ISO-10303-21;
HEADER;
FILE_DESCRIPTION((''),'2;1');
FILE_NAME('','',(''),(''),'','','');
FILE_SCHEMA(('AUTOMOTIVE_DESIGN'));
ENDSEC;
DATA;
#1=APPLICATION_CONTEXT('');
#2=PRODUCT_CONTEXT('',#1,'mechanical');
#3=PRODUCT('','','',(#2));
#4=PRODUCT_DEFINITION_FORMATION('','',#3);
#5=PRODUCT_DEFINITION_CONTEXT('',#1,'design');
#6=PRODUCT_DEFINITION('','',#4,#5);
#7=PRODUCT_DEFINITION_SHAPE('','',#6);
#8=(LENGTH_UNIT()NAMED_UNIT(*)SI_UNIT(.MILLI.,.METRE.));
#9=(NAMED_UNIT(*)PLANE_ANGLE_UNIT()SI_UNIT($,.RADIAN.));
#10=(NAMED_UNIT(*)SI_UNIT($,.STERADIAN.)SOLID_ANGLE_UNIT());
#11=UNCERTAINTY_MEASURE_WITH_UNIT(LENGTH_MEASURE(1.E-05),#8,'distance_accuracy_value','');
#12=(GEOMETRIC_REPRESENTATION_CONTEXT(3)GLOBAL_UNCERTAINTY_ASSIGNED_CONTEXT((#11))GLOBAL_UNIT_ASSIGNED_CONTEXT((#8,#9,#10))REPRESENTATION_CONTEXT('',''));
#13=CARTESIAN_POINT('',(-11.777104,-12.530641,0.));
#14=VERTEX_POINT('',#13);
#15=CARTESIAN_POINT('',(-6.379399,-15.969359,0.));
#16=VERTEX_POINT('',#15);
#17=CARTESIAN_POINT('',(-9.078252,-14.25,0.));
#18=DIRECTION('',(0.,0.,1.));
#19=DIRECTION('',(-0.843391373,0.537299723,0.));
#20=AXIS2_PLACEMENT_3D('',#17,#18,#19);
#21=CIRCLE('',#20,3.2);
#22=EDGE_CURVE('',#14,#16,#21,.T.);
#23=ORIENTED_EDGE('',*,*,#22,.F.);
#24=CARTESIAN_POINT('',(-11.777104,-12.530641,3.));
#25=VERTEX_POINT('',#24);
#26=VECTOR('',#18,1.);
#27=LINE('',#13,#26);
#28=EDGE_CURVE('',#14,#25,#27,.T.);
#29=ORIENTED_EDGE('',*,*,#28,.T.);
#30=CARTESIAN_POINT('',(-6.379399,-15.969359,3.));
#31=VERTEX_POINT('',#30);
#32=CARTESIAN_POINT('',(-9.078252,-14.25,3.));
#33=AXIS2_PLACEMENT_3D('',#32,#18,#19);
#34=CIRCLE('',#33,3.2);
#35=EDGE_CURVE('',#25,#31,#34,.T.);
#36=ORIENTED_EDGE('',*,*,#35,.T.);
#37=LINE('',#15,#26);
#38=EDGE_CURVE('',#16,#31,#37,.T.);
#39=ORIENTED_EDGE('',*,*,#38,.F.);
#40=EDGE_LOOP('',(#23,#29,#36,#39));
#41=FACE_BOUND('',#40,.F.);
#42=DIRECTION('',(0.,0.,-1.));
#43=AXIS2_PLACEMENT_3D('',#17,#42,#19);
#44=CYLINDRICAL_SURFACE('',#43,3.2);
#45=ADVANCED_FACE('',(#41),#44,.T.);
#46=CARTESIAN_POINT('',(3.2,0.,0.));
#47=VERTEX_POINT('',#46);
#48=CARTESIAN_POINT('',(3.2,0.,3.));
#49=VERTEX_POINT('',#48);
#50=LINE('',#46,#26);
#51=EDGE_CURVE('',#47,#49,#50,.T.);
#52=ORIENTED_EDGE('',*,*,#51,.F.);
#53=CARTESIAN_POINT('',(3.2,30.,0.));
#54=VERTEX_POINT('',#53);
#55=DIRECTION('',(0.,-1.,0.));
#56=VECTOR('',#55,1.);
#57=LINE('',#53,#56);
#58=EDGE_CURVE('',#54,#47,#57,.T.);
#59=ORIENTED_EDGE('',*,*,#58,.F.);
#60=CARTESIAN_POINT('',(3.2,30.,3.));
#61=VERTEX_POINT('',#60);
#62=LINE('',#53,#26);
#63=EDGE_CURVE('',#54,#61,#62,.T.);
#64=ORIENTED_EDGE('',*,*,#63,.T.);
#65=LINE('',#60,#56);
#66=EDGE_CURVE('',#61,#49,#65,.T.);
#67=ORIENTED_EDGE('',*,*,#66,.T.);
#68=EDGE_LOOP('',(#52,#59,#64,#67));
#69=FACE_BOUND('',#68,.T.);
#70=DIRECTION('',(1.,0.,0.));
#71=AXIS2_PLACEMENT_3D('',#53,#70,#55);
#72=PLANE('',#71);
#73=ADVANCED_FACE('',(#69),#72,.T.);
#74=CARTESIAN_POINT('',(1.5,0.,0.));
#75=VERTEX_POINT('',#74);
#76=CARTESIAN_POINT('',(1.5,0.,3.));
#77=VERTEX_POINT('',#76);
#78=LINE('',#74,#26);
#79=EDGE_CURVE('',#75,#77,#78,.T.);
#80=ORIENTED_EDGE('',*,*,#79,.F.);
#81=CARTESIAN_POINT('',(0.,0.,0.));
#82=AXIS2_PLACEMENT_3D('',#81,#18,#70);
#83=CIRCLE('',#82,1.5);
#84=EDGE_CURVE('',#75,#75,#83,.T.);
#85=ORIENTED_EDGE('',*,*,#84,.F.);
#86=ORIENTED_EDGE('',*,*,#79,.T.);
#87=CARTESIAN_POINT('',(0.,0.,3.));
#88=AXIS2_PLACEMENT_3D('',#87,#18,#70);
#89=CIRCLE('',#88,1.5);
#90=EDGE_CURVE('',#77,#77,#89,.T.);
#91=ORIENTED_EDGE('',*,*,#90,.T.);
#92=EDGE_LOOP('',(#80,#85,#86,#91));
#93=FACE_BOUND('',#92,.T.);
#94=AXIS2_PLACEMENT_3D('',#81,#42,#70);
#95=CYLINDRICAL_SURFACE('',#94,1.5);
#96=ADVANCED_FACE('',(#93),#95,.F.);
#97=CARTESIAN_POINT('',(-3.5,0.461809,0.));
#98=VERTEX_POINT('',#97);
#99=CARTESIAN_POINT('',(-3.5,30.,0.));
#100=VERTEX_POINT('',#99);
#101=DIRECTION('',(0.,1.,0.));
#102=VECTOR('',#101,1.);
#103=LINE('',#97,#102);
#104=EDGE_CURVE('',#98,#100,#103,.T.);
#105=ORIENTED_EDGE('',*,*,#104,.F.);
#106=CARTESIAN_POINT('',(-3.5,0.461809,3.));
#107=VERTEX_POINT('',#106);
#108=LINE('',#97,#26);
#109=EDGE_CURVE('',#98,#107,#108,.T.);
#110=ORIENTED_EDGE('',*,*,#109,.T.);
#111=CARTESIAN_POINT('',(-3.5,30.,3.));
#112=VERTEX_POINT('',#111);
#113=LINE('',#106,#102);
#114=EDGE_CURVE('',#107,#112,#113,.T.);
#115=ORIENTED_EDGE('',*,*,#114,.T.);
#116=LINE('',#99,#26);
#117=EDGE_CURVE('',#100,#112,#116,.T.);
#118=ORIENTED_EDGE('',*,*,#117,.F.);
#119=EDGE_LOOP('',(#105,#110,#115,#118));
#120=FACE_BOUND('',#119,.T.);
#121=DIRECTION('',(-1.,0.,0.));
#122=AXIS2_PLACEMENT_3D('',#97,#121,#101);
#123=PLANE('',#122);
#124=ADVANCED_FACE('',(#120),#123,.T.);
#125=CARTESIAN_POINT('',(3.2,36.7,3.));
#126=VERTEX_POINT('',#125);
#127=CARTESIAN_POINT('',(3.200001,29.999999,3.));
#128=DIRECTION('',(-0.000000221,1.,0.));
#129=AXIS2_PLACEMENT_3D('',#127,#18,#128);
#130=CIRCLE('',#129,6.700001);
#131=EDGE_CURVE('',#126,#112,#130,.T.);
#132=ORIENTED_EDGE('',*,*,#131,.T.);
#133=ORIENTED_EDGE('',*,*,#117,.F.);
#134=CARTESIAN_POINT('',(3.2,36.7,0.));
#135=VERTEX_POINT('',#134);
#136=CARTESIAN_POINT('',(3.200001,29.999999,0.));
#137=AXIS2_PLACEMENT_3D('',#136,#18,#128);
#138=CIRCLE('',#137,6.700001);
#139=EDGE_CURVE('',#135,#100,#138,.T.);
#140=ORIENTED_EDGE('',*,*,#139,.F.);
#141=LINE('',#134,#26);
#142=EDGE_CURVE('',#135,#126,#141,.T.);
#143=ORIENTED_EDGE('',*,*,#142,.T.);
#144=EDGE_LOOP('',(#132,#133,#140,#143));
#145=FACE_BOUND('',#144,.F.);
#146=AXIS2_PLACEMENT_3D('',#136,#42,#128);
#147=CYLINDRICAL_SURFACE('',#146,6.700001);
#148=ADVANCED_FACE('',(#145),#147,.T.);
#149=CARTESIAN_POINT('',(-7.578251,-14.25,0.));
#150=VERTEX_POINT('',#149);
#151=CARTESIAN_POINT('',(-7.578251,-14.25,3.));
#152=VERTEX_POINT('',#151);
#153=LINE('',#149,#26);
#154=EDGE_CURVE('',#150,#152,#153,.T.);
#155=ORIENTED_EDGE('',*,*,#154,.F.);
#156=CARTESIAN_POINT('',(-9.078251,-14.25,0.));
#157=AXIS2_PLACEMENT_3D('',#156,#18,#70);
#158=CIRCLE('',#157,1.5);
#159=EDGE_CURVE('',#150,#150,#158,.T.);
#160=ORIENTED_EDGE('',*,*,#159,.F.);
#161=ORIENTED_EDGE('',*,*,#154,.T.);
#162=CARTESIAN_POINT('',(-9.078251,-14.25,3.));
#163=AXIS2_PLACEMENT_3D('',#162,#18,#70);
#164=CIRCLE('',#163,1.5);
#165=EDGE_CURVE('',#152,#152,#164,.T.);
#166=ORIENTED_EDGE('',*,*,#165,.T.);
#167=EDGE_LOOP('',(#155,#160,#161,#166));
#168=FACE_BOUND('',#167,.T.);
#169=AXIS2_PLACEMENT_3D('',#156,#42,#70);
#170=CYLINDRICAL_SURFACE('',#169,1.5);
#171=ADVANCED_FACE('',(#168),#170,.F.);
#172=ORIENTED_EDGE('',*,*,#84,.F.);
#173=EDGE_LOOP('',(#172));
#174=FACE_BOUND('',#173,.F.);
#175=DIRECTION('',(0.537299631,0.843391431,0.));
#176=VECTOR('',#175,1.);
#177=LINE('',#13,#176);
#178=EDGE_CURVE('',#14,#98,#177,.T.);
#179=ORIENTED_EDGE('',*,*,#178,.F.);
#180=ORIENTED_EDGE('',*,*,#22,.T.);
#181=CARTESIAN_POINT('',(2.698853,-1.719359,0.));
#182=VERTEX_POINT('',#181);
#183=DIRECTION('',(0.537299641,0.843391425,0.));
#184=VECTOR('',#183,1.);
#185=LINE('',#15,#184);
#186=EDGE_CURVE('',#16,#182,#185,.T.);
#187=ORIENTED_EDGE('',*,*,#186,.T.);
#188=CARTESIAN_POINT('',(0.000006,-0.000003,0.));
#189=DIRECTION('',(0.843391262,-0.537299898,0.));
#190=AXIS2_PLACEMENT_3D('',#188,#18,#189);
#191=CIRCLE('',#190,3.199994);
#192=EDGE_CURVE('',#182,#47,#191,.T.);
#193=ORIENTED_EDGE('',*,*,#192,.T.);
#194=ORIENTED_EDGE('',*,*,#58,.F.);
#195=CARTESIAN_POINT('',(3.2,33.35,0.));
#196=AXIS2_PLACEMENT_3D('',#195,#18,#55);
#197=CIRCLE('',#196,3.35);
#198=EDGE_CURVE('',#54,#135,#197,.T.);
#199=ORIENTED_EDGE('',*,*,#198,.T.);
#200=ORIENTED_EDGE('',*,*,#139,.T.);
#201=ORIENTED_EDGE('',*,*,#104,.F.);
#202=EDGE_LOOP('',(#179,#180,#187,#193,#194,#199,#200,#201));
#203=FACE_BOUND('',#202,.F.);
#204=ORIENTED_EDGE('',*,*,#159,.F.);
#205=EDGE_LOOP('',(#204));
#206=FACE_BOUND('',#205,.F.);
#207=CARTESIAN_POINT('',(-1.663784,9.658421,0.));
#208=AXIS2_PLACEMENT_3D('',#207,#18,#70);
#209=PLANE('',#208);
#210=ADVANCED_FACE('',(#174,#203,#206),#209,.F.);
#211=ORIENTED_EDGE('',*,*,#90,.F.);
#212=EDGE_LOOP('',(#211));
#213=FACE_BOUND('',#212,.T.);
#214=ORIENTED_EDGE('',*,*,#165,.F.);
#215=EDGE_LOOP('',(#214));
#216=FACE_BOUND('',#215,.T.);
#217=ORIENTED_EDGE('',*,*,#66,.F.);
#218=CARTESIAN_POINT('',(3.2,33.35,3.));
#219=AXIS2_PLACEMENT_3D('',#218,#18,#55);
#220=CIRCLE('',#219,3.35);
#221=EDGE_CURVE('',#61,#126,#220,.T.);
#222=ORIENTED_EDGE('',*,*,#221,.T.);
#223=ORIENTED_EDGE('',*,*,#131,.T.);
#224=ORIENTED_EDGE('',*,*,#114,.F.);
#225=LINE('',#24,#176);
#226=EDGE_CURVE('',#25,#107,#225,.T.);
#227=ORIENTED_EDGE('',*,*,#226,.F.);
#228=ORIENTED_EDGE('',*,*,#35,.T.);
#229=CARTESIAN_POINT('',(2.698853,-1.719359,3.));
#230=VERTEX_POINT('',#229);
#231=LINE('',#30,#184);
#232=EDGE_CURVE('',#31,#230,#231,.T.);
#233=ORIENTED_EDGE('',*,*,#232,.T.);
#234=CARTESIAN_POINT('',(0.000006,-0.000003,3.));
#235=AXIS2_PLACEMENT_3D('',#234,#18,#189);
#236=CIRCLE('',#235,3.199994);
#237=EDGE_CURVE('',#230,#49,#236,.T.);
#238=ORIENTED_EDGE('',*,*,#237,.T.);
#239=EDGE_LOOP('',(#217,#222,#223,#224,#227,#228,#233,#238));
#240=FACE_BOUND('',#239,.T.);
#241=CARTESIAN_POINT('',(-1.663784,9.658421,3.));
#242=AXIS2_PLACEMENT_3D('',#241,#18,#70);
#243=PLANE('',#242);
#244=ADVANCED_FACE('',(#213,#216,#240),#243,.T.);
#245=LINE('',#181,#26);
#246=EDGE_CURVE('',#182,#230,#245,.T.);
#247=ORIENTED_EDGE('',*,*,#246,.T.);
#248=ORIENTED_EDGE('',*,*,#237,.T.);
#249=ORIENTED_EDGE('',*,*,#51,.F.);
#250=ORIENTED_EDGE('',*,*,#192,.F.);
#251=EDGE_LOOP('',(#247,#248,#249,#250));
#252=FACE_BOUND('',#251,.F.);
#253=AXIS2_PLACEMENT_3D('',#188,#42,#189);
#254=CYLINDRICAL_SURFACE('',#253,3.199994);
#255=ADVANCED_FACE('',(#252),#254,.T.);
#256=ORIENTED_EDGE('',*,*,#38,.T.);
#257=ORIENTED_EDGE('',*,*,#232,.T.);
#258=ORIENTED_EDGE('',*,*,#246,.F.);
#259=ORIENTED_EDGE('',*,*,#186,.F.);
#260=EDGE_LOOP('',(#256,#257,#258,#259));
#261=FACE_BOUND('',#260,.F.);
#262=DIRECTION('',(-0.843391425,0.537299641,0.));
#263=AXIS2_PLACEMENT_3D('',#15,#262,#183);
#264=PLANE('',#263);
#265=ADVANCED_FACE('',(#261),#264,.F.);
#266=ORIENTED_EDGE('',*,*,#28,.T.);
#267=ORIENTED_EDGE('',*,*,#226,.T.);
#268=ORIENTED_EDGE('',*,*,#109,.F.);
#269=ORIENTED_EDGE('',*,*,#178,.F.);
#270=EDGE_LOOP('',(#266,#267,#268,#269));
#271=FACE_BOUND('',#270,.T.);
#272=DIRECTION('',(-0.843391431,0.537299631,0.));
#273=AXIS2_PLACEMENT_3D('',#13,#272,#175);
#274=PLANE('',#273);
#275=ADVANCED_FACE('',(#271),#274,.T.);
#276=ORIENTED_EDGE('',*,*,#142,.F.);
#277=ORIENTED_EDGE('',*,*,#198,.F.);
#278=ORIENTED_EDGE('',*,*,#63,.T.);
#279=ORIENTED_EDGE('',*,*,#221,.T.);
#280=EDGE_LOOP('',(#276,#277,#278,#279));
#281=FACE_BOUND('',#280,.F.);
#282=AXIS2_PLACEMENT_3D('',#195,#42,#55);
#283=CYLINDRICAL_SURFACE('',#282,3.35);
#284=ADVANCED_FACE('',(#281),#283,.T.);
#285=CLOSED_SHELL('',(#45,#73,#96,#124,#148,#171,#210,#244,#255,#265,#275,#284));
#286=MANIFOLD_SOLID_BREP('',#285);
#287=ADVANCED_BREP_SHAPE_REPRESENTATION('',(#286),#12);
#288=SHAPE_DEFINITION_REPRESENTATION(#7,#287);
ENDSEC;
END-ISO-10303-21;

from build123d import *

# Parameters (mm, degrees)
SKETCH_R  = 1.5
PAD_DEPTH = 3


with BuildPart() as part:
    # Sketch → Pad (new body)
    with BuildSketch(Plane.XY):
        with BuildLine():
            ThreePointArc((-11.777104, -12.530641), (-10.79761, -16.948853), (-6.379399, -15.969359))
            Line((-6.379399, -15.969359), (2.698853, -1.719359))
            ThreePointArc((2.698853, -1.719359), (3.07216, -0.895453), (3.2, 0))
            Line((3.2, 30), (3.2, 0))
            ThreePointArc((3.2, 30), (6.55, 33.35), (3.2, 36.7))
            ThreePointArc((3.2, 36.7), (-1.537615, 34.737615), (-3.5, 30))
            Line((-3.5, 0.461809), (-3.5, 30))
            Line((-11.777104, -12.530641), (-3.5, 0.461809))
        make_face()
        with Locations((-9.078251, -14.25)):
            Circle(SKETCH_R, mode=Mode.SUBTRACT)
        Circle(SKETCH_R, mode=Mode.SUBTRACT)
    extrude(amount=PAD_DEPTH)


solid = part.part
